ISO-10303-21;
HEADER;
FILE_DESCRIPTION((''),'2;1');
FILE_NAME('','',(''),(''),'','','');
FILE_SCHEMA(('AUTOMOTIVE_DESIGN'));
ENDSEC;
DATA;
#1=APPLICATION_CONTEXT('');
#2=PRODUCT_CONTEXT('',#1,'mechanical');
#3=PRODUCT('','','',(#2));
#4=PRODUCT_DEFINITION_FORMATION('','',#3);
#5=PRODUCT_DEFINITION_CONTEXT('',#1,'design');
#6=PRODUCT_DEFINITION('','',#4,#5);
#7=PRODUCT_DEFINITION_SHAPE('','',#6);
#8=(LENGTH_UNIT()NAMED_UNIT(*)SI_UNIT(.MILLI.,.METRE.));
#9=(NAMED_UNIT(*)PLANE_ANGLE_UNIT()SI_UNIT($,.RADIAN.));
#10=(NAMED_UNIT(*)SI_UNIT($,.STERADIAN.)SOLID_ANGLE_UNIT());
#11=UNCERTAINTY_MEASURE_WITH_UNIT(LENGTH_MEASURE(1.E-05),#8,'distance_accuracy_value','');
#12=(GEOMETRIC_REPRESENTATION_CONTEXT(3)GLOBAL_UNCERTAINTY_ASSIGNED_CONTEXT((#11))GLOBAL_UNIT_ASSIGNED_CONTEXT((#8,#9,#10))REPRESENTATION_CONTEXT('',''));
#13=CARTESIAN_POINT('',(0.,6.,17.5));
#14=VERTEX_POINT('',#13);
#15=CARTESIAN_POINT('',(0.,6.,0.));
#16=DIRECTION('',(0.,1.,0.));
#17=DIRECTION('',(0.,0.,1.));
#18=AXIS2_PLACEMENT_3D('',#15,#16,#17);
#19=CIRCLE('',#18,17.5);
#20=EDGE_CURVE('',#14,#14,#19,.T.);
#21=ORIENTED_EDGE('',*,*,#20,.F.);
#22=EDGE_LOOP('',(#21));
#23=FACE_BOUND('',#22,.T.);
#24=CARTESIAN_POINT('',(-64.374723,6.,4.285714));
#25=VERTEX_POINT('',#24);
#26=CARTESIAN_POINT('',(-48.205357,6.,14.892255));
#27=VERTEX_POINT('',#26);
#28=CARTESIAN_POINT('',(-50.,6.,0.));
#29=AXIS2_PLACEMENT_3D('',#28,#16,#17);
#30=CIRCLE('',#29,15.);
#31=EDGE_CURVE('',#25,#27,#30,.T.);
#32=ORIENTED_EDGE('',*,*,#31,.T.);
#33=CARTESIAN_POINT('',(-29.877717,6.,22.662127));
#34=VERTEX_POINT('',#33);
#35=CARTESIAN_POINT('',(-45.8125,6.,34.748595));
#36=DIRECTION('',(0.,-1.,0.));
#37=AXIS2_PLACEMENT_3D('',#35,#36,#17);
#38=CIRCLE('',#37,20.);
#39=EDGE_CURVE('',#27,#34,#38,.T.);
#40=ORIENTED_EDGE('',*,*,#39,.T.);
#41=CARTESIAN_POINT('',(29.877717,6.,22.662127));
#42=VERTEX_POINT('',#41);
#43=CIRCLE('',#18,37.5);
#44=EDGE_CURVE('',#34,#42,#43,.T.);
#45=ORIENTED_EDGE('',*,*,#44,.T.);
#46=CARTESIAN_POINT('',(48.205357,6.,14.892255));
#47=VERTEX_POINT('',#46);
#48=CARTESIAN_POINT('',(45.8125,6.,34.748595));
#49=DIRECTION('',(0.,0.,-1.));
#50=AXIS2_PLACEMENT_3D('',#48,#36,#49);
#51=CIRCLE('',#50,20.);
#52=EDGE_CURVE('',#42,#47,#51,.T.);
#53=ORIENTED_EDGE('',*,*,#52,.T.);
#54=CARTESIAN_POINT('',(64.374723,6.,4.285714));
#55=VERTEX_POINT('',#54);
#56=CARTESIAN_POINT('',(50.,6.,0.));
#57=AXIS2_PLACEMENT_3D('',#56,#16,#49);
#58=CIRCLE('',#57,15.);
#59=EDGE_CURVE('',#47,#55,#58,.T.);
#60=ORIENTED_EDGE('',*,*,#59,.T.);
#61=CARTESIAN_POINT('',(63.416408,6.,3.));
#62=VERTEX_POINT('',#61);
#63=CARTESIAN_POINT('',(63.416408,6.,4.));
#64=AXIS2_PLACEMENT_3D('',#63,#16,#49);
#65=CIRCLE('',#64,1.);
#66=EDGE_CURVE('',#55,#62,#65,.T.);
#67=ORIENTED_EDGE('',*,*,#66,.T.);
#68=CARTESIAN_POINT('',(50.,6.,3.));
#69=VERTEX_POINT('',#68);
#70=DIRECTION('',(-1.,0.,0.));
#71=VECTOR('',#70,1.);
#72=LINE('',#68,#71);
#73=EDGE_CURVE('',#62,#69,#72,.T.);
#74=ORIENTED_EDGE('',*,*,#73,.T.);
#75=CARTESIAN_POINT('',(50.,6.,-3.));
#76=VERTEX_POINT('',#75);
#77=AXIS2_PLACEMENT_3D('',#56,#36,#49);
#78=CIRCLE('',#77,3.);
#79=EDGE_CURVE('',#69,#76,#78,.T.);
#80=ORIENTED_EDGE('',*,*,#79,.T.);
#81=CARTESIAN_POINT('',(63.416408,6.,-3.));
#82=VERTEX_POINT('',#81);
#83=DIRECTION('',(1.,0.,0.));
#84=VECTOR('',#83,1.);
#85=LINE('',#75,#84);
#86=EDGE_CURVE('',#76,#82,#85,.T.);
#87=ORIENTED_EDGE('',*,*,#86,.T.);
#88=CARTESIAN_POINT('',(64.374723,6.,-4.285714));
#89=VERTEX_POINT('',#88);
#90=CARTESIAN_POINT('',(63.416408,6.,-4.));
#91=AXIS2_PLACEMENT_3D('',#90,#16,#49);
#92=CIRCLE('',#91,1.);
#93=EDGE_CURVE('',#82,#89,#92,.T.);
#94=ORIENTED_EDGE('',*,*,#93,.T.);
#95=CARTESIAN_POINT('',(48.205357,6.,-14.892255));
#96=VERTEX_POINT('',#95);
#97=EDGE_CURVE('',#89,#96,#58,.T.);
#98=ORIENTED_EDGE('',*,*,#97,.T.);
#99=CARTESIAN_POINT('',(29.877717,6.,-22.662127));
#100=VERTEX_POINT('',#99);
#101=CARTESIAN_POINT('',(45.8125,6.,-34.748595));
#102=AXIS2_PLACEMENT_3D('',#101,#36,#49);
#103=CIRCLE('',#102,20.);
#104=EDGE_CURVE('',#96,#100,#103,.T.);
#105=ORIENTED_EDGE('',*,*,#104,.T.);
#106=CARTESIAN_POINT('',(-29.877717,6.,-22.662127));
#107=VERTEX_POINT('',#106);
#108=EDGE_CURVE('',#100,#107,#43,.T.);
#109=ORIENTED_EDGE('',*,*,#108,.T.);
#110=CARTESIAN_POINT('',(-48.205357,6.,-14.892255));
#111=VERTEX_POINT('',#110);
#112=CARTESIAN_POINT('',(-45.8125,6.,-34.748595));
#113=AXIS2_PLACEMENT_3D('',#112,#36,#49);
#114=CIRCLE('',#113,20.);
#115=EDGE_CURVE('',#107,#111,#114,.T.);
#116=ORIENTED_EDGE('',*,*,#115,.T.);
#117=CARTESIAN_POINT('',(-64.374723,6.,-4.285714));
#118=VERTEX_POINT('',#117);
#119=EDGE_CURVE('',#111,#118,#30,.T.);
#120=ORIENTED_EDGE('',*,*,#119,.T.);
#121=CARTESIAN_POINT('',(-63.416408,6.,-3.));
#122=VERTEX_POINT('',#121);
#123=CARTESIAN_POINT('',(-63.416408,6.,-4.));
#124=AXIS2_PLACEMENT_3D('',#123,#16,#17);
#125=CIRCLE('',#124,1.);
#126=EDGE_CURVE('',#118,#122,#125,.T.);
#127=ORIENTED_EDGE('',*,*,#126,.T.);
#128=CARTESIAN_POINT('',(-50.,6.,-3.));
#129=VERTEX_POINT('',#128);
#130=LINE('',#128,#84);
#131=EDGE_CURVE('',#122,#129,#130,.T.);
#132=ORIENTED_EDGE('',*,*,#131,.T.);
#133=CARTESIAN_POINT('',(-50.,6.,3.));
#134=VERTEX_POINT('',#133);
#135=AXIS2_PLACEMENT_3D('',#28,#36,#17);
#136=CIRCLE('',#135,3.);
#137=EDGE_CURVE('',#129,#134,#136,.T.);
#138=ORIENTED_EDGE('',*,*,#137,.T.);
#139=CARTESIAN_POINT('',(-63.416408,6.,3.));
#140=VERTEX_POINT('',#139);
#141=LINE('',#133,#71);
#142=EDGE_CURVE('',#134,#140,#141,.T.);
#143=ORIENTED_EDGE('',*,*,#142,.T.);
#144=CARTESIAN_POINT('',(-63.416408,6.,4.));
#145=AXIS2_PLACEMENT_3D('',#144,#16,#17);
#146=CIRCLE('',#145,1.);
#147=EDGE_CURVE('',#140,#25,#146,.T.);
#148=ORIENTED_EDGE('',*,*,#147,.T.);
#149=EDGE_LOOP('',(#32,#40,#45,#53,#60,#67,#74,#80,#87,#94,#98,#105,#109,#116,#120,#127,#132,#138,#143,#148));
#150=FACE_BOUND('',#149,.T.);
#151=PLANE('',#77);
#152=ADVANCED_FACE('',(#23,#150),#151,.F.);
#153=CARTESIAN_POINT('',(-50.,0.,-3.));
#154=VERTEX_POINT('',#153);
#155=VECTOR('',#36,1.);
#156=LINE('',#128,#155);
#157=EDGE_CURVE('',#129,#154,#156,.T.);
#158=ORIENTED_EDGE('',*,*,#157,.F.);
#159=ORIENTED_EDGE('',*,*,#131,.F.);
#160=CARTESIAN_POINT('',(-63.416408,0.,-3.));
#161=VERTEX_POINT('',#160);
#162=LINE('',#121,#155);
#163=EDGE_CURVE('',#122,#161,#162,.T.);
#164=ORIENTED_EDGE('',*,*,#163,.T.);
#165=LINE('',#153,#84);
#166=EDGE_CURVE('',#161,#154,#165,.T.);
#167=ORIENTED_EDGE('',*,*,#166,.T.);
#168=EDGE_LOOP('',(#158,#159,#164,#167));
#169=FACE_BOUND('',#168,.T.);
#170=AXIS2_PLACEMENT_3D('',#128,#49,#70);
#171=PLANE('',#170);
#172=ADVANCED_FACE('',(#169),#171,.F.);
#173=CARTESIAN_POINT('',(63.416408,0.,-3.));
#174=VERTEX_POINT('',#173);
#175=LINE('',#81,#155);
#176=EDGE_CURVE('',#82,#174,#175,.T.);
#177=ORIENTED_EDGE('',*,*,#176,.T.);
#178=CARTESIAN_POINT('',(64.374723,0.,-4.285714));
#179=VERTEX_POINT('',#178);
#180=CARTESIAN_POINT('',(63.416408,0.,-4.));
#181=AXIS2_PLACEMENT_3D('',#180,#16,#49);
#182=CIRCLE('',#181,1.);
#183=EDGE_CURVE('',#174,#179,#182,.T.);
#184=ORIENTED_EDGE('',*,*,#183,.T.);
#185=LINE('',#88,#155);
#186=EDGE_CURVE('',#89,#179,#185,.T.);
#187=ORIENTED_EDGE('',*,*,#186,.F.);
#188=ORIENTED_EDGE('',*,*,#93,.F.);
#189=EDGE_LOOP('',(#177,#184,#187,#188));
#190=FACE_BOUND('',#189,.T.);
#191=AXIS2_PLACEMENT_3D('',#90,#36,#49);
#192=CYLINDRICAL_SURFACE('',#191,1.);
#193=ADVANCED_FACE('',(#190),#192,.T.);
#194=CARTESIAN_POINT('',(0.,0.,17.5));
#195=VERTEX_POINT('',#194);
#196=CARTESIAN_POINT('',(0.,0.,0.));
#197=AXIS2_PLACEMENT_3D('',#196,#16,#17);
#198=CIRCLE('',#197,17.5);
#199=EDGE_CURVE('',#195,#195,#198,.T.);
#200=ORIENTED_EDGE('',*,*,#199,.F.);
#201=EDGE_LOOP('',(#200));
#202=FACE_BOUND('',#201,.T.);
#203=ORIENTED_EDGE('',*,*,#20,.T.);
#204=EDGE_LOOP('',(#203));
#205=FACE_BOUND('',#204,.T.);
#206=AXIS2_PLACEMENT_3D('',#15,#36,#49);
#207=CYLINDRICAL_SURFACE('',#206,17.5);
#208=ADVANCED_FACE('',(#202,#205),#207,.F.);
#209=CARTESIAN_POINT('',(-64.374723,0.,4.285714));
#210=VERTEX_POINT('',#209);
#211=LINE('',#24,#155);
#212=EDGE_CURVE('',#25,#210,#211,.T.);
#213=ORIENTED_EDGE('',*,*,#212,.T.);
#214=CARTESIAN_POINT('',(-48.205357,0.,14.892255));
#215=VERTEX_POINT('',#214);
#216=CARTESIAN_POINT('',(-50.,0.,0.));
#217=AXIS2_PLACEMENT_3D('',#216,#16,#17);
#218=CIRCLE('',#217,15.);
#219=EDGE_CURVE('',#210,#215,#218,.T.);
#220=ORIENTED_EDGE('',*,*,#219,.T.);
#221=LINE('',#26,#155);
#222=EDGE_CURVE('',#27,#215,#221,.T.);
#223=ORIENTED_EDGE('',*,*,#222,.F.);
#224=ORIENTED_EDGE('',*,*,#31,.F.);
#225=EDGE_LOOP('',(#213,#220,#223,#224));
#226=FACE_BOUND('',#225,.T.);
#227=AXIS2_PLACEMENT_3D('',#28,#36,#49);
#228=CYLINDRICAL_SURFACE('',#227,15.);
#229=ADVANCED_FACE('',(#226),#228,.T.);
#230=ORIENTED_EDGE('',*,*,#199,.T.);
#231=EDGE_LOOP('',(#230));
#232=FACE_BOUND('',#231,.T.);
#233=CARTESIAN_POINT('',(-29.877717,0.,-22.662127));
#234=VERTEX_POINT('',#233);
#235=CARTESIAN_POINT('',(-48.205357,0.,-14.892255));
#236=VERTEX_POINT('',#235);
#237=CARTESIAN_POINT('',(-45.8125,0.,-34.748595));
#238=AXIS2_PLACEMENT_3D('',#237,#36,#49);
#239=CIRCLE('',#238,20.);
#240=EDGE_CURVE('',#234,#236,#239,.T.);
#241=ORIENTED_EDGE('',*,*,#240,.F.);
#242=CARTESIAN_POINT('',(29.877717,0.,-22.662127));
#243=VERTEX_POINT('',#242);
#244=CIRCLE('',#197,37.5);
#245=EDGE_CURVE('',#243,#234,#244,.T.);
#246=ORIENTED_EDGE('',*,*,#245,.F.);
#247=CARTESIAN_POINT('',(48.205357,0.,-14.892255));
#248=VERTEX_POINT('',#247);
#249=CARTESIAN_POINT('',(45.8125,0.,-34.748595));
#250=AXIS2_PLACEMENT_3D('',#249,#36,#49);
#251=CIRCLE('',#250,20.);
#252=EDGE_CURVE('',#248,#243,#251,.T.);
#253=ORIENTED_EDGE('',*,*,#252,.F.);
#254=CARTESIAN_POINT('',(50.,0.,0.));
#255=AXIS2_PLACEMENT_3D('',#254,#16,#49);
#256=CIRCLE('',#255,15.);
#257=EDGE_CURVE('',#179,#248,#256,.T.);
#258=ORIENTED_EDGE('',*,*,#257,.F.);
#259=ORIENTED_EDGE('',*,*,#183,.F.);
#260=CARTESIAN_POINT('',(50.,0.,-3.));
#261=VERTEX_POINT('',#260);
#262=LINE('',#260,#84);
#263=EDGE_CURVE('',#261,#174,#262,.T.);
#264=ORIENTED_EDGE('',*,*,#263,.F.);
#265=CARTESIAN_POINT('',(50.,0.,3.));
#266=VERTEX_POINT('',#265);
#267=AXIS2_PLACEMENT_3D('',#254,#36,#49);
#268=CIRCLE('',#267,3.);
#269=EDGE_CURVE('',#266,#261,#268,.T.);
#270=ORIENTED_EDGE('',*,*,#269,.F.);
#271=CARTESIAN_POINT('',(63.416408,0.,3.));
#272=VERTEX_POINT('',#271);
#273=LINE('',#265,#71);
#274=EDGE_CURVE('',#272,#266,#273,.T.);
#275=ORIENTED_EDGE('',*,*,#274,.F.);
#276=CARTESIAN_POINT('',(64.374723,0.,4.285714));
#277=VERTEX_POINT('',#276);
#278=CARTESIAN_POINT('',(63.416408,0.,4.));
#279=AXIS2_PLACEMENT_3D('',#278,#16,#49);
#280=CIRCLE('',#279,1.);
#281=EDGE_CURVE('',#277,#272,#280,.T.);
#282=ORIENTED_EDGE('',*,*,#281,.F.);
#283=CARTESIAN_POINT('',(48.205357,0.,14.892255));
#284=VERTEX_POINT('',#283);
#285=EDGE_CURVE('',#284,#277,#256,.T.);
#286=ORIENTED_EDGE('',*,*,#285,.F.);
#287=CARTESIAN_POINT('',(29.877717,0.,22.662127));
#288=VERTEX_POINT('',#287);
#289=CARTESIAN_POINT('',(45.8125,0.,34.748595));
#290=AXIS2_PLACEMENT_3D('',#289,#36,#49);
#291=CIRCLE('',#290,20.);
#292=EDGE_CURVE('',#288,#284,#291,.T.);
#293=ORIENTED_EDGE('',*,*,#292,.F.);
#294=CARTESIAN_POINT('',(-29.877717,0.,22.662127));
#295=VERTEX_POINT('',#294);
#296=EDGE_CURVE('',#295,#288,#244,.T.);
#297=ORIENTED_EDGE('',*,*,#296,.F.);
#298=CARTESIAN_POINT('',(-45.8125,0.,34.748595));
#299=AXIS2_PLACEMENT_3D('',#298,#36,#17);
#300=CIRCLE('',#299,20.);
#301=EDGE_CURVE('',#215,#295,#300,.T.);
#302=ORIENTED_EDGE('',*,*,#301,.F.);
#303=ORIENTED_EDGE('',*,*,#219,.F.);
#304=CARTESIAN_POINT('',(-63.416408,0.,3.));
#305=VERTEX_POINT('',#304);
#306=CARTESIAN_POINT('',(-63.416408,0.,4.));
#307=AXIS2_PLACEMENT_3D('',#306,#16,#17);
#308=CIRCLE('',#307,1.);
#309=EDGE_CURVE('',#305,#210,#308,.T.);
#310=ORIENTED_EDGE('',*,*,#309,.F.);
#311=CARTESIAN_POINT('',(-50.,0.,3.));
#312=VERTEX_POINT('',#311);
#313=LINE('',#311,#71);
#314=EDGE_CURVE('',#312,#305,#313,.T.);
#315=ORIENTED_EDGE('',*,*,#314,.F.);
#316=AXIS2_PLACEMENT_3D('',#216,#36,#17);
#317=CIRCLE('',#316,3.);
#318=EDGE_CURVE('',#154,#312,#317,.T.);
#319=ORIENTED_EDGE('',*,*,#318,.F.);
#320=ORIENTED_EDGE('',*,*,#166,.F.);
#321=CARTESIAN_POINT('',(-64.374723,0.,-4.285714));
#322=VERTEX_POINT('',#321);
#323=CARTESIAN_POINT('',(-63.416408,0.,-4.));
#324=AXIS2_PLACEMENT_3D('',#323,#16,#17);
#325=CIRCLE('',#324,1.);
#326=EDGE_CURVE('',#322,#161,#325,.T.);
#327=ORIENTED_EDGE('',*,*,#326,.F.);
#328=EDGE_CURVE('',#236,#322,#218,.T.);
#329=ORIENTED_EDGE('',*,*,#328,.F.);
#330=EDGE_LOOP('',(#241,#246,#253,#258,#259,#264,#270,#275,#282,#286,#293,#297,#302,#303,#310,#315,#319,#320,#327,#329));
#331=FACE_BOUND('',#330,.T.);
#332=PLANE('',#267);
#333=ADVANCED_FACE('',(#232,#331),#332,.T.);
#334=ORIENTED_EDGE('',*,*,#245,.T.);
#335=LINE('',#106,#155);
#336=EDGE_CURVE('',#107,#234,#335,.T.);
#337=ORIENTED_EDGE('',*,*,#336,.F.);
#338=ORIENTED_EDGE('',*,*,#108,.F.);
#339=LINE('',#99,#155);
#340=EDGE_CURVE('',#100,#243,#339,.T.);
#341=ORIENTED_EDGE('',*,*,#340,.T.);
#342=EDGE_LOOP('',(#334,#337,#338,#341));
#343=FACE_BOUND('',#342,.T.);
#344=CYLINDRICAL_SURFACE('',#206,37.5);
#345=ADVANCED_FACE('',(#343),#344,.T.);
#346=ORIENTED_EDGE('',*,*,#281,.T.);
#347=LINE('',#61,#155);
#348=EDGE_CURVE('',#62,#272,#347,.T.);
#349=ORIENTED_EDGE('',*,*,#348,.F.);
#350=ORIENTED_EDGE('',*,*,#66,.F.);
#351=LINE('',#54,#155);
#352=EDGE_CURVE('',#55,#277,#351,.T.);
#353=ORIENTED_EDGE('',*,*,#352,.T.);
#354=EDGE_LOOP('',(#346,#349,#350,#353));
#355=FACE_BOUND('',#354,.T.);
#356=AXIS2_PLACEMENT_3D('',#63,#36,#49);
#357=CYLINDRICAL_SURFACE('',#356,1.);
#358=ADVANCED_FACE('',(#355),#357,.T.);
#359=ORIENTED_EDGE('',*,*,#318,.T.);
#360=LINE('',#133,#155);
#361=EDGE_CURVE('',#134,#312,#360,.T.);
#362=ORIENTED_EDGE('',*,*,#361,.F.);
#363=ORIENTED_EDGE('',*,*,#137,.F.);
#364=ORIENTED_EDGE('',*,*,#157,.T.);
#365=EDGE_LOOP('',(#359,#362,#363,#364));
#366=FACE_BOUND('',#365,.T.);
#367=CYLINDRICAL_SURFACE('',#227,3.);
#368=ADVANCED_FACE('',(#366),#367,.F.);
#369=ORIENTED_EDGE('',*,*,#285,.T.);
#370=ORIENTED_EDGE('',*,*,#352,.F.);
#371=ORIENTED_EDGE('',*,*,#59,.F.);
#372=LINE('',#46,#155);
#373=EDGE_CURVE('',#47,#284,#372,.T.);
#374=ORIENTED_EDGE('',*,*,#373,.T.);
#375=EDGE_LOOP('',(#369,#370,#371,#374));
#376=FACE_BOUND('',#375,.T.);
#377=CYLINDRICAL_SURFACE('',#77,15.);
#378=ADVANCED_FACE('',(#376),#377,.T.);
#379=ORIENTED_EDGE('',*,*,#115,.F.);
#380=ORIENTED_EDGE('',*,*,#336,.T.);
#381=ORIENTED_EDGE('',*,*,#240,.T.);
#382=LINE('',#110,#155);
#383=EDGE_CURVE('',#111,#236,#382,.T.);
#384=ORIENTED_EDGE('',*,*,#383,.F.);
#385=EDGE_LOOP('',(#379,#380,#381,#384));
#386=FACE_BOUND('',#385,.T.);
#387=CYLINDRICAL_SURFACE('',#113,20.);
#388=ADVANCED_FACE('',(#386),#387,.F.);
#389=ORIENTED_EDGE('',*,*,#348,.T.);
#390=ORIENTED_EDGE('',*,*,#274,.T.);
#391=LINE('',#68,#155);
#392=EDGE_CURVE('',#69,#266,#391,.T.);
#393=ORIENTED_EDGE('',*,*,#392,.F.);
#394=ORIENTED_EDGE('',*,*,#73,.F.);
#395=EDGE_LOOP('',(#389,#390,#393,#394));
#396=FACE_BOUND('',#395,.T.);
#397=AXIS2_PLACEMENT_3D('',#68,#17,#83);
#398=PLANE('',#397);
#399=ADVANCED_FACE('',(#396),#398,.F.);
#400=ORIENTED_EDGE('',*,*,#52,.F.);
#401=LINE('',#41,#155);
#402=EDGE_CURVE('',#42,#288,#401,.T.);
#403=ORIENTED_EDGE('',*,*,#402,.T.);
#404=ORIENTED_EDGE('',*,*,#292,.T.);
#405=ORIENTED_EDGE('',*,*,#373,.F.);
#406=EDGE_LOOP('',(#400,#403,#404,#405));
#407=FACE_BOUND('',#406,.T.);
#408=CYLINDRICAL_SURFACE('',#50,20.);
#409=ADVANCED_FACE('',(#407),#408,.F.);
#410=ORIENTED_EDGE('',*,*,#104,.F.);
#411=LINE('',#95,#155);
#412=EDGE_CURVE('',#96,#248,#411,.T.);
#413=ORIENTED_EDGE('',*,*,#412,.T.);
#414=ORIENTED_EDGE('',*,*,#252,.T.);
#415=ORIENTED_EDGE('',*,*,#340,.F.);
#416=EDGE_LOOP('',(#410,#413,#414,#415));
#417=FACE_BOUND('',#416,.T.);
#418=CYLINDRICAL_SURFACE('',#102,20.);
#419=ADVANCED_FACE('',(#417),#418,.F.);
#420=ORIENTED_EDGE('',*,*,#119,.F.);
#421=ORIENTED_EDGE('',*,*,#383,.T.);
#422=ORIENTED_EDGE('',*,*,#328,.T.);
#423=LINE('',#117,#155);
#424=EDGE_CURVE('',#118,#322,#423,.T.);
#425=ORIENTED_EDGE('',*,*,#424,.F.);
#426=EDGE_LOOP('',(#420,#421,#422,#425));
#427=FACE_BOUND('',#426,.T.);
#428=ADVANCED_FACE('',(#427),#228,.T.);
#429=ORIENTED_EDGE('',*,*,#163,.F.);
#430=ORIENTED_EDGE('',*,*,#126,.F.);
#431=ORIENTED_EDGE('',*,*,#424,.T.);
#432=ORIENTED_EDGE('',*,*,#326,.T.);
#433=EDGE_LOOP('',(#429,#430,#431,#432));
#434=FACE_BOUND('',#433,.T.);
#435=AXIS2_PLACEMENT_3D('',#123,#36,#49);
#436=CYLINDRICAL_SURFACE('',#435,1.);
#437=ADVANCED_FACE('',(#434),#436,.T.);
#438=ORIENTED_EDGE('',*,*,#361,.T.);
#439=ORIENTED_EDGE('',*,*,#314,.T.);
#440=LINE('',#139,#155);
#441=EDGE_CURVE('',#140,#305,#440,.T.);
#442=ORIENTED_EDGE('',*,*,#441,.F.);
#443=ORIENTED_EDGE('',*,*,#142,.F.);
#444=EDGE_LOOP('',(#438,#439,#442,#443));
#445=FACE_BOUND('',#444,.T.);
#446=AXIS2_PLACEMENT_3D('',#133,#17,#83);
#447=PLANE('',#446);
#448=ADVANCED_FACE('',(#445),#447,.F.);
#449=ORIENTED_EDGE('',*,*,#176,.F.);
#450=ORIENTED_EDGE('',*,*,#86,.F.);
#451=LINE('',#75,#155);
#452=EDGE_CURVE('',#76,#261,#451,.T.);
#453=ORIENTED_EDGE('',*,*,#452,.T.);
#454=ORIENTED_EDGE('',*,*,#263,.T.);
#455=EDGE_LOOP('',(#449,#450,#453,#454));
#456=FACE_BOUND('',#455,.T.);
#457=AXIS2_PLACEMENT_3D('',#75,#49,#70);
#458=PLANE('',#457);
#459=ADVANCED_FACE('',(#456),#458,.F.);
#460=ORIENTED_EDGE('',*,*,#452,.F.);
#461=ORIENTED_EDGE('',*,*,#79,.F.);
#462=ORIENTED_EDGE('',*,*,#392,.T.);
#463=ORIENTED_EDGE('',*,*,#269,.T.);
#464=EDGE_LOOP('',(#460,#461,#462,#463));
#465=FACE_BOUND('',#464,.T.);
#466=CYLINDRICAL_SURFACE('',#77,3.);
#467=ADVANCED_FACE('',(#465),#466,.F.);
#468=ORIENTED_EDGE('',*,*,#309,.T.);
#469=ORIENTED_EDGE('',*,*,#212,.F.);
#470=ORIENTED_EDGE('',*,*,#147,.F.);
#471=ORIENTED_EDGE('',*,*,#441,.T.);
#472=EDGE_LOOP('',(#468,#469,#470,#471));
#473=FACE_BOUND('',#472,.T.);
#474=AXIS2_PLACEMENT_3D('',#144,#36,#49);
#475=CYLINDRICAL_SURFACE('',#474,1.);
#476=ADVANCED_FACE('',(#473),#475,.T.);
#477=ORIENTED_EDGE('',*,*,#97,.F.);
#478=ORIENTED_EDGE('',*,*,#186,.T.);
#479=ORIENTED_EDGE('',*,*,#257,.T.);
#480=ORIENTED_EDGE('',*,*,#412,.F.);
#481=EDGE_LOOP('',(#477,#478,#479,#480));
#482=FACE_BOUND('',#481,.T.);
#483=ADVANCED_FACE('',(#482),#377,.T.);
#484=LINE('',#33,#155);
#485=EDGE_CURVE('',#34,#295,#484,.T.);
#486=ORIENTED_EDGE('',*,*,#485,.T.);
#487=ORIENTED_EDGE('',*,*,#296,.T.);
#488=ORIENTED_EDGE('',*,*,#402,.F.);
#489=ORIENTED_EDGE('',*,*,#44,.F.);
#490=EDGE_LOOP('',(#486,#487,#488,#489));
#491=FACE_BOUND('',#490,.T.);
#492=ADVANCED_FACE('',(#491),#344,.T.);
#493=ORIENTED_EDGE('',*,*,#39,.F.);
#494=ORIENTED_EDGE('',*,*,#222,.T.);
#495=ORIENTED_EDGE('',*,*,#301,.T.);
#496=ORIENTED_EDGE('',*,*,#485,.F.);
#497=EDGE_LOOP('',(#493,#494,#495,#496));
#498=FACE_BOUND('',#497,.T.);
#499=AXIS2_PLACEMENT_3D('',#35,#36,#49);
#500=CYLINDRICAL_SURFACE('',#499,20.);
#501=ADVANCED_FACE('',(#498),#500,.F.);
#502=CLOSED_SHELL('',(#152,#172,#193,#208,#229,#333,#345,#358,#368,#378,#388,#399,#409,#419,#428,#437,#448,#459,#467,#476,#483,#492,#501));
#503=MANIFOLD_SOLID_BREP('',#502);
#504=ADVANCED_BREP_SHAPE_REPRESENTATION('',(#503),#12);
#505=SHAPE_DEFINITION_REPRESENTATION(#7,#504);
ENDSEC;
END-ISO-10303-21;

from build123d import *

# Parameters (mm, degrees)
SKETCH1_R           = 17.5
BOSS_EXTRUDE1_DEPTH = 6


with BuildPart() as part:
    # Sketch1 → Boss-Extrude1 (new body)
    with BuildSketch(Plane(origin=(0, 0, 0), x_dir=(1, 0, 0), z_dir=(0, 1, 0))):
        with BuildLine():
            Line((50, -3), (63.416407865, -3))
            ThreePointArc((63.416407865, -3), (64.218191591, -3.402385695), (64.374722712, -4.285714286))
            ThreePointArc((64.374722712, -4.285714286), (58.227349417, -12.542357098), (48.205357143, -14.892254934))
            ThreePointArc((48.205357143, -14.892254934), (38.006177908, -16.334976641), (29.877717391, -22.662127073))
            ThreePointArc((29.877717391, -22.662127073), (0, -37.5), (-29.877717391, -22.662127073))
            ThreePointArc((-29.877717391, -22.662127073), (-38.006177908, -16.334976641), (-48.205357143, -14.892254934))
            ThreePointArc((-48.205357143, -14.892254934), (-58.227349417, -12.542357098), (-64.374722712, -4.285714286))
            ThreePointArc((-64.374722712, -4.285714286), (-64.218191591, -3.402385695), (-63.416407865, -3))
            Line((-63.416407865, -3), (-50, -3))
            ThreePointArc((-50, -3), (-47, 0), (-50, 3))
            Line((-50, 3), (-63.416407865, 3))
            ThreePointArc((-63.416407865, 3), (-64.218191591, 3.402385695), (-64.374722712, 4.285714286))
            ThreePointArc((-64.374722712, 4.285714286), (-58.227349417, 12.542357098), (-48.205357143, 14.892254934))
            ThreePointArc((-48.205357143, 14.892254934), (-38.006177908, 16.334976641), (-29.877717391, 22.662127073))
            ThreePointArc((-29.877717391, 22.662127073), (0, 37.5), (29.877717391, 22.662127073))
            ThreePointArc((29.877717391, 22.662127073), (38.006177908, 16.334976641), (48.205357143, 14.892254934))
            ThreePointArc((48.205357143, 14.892254934), (58.227349417, 12.542357098), (64.374722712, 4.285714286))
            ThreePointArc((64.374722712, 4.285714286), (64.218191591, 3.402385695), (63.416407865, 3))
            Line((63.416407865, 3), (50, 3))
            ThreePointArc((50, 3), (47, 0), (50, -3))
        make_face()
        with Locations(Location((0, 0, 0), (0, 0, 270))):
            Circle(SKETCH1_R, mode=Mode.SUBTRACT)
    extrude(amount=BOSS_EXTRUDE1_DEPTH)


solid = part.part
